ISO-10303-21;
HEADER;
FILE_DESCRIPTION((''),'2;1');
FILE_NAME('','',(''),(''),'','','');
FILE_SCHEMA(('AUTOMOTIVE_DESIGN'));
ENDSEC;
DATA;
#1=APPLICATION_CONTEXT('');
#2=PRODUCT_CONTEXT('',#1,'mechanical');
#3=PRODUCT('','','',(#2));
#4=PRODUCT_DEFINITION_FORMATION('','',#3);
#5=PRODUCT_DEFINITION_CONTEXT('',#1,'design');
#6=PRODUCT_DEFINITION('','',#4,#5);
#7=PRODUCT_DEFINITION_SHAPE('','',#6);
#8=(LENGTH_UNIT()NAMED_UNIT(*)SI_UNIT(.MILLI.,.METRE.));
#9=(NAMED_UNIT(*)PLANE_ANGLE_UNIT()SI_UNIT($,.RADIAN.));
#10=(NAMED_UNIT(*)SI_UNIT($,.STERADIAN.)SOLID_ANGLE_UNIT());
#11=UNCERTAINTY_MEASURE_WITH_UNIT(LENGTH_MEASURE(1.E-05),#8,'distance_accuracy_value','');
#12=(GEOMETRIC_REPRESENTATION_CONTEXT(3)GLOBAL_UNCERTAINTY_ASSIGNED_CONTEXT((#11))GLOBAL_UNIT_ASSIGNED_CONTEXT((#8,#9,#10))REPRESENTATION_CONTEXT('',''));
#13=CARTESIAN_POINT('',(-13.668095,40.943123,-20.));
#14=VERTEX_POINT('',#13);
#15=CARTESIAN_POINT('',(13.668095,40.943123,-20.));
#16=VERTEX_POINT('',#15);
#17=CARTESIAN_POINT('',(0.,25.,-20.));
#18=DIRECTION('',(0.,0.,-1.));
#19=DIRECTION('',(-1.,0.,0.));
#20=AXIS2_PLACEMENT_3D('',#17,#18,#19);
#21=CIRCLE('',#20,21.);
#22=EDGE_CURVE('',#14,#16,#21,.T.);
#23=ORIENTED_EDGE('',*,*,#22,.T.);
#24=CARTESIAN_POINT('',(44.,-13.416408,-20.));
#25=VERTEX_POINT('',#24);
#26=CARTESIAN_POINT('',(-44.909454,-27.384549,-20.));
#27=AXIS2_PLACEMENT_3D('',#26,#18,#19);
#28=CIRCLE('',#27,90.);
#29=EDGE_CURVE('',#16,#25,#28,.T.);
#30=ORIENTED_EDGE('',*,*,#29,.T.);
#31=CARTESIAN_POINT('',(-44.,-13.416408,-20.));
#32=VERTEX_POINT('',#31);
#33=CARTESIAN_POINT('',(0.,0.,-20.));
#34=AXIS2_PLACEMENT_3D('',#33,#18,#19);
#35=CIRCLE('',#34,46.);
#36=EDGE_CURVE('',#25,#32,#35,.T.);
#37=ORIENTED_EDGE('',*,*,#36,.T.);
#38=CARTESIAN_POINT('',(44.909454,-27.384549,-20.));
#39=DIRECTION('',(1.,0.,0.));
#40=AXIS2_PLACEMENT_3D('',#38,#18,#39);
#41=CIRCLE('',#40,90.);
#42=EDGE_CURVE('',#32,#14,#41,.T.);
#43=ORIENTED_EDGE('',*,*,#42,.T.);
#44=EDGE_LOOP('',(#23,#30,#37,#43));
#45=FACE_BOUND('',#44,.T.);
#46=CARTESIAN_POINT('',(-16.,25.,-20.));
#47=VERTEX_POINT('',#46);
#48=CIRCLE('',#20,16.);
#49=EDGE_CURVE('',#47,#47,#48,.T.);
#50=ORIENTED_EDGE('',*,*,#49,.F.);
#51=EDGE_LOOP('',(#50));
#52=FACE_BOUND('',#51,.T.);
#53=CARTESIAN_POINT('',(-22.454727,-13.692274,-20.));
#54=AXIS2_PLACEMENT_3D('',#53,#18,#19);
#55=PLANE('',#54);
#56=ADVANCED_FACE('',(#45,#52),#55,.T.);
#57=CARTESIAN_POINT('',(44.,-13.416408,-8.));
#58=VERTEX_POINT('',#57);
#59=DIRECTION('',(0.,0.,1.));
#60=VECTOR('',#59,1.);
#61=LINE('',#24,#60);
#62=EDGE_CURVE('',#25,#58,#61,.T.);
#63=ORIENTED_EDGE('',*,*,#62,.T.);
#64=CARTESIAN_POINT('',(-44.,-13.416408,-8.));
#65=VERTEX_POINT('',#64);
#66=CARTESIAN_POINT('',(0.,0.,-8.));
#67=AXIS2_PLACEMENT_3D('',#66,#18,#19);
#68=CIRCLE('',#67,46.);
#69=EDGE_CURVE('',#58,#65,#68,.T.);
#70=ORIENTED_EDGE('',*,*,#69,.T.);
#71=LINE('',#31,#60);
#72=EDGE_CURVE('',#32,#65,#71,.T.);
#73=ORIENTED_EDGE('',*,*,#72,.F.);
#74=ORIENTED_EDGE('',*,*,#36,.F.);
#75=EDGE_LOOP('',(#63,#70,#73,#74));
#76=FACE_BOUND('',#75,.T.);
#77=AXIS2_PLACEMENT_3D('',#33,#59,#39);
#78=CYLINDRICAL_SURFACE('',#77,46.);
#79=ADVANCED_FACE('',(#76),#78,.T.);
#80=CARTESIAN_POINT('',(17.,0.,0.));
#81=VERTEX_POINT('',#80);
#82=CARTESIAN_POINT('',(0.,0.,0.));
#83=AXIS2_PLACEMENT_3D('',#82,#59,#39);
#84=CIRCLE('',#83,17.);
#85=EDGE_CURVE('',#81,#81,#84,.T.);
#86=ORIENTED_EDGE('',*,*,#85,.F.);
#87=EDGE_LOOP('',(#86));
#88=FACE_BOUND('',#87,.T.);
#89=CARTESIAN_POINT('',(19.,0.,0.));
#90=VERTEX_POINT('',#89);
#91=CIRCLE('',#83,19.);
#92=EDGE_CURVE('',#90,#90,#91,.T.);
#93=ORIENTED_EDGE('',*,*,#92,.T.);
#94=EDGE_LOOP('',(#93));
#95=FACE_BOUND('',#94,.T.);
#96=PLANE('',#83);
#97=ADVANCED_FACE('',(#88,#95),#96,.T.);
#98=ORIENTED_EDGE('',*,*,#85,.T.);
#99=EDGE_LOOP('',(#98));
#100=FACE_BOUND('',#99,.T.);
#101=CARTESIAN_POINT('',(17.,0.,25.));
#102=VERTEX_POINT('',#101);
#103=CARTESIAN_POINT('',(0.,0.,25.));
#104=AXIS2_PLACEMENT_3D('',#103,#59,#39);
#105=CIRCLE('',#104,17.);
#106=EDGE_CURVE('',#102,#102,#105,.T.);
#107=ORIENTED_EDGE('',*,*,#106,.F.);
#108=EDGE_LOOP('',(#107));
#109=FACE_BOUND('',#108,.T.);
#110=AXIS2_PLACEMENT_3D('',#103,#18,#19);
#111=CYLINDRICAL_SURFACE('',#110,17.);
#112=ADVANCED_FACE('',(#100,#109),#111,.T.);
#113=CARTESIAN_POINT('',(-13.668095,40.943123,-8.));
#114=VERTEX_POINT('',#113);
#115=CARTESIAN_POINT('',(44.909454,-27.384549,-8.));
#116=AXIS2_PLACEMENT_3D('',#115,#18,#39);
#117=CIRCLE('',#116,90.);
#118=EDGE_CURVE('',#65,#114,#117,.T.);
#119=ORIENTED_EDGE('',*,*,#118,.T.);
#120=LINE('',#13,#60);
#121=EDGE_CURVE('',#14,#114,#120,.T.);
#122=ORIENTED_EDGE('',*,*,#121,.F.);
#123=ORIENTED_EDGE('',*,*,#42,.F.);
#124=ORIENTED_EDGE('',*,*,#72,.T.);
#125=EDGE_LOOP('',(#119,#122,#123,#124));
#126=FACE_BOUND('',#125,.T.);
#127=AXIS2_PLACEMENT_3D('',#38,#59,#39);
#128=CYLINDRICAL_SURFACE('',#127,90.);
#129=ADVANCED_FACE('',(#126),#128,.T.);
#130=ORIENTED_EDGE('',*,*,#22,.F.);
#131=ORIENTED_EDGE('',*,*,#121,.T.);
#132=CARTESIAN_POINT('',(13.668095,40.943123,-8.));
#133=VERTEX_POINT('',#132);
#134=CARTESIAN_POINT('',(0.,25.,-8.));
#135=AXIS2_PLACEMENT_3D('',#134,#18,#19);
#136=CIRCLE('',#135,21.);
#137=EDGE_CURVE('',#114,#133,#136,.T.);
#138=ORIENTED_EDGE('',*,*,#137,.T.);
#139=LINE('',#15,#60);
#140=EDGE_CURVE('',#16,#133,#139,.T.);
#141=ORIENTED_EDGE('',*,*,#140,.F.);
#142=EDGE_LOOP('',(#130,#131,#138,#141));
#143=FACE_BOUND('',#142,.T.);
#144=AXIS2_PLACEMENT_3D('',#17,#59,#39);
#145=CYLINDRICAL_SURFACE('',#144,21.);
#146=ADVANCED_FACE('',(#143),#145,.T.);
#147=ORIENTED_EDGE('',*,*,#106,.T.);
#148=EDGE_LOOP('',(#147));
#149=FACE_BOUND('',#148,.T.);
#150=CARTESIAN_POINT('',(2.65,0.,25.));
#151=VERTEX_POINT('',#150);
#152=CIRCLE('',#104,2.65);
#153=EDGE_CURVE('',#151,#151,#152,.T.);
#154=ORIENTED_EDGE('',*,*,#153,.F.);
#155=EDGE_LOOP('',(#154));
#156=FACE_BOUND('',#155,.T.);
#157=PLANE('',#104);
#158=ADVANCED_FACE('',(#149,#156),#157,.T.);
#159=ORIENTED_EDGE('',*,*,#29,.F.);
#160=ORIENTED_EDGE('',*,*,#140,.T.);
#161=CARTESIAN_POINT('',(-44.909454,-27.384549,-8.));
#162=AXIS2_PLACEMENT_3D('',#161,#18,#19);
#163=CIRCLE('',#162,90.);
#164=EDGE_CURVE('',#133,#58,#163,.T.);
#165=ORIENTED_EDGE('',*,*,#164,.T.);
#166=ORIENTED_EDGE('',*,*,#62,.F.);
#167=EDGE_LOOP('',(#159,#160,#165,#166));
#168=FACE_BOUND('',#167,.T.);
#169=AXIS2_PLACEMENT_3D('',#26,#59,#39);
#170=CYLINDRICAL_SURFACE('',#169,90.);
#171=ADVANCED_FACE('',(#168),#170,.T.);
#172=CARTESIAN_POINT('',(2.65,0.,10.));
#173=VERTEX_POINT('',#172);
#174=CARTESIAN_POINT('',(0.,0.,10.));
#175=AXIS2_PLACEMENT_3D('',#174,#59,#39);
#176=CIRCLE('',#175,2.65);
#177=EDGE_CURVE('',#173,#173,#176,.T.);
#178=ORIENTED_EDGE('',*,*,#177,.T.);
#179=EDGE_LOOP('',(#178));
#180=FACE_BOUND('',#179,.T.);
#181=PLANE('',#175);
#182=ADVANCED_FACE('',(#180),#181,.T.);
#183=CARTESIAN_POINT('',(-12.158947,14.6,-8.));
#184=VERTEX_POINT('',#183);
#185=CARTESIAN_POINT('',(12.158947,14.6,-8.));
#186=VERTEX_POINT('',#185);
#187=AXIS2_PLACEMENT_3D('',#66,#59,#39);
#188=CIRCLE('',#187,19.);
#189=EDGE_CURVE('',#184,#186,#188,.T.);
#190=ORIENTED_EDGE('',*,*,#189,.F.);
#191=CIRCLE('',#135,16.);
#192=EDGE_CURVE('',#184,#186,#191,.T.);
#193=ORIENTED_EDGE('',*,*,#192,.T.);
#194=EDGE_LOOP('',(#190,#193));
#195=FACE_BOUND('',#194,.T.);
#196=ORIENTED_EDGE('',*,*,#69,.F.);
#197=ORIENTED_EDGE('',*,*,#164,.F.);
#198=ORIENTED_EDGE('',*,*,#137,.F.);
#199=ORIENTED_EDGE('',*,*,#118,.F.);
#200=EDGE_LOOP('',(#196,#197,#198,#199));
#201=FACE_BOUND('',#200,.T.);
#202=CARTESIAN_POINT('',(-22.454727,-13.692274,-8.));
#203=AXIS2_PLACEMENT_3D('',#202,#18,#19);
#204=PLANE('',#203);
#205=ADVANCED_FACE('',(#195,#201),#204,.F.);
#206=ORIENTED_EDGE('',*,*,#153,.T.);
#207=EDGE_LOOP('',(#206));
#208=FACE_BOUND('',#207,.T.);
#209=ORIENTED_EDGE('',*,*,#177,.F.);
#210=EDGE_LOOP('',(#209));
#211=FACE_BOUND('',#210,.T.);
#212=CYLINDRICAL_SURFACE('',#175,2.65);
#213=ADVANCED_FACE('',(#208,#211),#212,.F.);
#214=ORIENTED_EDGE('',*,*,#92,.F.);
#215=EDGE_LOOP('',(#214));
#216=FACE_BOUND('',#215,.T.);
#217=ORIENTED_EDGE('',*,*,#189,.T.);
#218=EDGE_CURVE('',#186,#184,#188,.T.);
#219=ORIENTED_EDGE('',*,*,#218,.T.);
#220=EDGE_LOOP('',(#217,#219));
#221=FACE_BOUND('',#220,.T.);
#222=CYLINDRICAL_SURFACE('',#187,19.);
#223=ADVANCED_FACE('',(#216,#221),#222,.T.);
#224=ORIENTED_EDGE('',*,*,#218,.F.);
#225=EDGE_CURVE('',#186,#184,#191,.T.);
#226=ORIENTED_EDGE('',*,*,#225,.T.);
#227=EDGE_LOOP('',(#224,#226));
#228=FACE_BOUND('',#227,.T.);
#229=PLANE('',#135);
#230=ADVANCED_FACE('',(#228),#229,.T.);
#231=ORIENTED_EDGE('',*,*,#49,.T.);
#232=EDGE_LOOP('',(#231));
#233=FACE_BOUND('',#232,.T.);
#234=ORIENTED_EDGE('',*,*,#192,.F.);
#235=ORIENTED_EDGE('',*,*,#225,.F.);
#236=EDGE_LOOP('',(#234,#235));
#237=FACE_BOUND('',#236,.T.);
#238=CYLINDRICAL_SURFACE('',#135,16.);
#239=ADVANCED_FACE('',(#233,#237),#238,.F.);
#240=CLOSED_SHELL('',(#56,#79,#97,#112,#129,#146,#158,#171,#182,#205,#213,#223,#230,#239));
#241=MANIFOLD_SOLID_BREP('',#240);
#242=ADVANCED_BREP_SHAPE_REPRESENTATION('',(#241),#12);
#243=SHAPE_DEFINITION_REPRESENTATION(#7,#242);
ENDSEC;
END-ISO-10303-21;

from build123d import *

# Parameters (mm, degrees)
SKETCH3_R           = 17
BOSS_EXTRUDE2_DEPTH = 25
SKETCH4_R           = 19
BOSS_EXTRUDE3_DEPTH = 8
BOSS_EXTRUDE4_DEPTH = 12
SKETCH9_R           = 16
CUT_EXTRUDE1_DEPTH  = 12
SKETCH10_R          = 2.65
CUT_EXTRUDE2_DEPTH  = 15


with BuildPart() as part:
    # Sketch3 → Boss-Extrude2 (new body)
    with BuildSketch(Plane.XY):
        Circle(SKETCH3_R)
    extrude(amount=BOSS_EXTRUDE2_DEPTH)

    # Sketch4 → Boss-Extrude3 (add)
    with BuildSketch(Plane.XY):
        Circle(SKETCH4_R)
    extrude(amount=-BOSS_EXTRUDE3_DEPTH)

    # Sketch5 → Boss-Extrude4 (add)
    with BuildSketch(Plane(origin=(0, 0, -8), x_dir=(-1, 0, 0), z_dir=(0, 0, -1))):
        with BuildLine():
            ThreePointArc((-44, -13.416407865), (0, -46), (44, -13.416407865))
            ThreePointArc((44, -13.416407865), (33.683444249, 16.469257624), (13.668094758, 40.943123461))
            ThreePointArc((13.668094758, 40.943123461), (0, 46), (-13.668094758, 40.943123461))
            ThreePointArc((-13.668094758, 40.943123461), (-33.683444249, 16.469257624), (-44, -13.416407865))
        make_face()
    extrude(amount=BOSS_EXTRUDE4_DEPTH)

    # Sketch9 → Cut-Extrude1 (cut)
    with BuildSketch(Plane(origin=(0, 0, -20), x_dir=(-1, 0, 0), z_dir=(0, 0, -1))):
        with Locations((0, 25)):
            Circle(SKETCH9_R)
    extrude(amount=-CUT_EXTRUDE1_DEPTH, mode=Mode.SUBTRACT)

    # Sketch10 → Cut-Extrude2 (cut)
    with BuildSketch(Plane.XY.offset(25)):
        Circle(SKETCH10_R)
    extrude(amount=-CUT_EXTRUDE2_DEPTH, mode=Mode.SUBTRACT)


solid = part.part
